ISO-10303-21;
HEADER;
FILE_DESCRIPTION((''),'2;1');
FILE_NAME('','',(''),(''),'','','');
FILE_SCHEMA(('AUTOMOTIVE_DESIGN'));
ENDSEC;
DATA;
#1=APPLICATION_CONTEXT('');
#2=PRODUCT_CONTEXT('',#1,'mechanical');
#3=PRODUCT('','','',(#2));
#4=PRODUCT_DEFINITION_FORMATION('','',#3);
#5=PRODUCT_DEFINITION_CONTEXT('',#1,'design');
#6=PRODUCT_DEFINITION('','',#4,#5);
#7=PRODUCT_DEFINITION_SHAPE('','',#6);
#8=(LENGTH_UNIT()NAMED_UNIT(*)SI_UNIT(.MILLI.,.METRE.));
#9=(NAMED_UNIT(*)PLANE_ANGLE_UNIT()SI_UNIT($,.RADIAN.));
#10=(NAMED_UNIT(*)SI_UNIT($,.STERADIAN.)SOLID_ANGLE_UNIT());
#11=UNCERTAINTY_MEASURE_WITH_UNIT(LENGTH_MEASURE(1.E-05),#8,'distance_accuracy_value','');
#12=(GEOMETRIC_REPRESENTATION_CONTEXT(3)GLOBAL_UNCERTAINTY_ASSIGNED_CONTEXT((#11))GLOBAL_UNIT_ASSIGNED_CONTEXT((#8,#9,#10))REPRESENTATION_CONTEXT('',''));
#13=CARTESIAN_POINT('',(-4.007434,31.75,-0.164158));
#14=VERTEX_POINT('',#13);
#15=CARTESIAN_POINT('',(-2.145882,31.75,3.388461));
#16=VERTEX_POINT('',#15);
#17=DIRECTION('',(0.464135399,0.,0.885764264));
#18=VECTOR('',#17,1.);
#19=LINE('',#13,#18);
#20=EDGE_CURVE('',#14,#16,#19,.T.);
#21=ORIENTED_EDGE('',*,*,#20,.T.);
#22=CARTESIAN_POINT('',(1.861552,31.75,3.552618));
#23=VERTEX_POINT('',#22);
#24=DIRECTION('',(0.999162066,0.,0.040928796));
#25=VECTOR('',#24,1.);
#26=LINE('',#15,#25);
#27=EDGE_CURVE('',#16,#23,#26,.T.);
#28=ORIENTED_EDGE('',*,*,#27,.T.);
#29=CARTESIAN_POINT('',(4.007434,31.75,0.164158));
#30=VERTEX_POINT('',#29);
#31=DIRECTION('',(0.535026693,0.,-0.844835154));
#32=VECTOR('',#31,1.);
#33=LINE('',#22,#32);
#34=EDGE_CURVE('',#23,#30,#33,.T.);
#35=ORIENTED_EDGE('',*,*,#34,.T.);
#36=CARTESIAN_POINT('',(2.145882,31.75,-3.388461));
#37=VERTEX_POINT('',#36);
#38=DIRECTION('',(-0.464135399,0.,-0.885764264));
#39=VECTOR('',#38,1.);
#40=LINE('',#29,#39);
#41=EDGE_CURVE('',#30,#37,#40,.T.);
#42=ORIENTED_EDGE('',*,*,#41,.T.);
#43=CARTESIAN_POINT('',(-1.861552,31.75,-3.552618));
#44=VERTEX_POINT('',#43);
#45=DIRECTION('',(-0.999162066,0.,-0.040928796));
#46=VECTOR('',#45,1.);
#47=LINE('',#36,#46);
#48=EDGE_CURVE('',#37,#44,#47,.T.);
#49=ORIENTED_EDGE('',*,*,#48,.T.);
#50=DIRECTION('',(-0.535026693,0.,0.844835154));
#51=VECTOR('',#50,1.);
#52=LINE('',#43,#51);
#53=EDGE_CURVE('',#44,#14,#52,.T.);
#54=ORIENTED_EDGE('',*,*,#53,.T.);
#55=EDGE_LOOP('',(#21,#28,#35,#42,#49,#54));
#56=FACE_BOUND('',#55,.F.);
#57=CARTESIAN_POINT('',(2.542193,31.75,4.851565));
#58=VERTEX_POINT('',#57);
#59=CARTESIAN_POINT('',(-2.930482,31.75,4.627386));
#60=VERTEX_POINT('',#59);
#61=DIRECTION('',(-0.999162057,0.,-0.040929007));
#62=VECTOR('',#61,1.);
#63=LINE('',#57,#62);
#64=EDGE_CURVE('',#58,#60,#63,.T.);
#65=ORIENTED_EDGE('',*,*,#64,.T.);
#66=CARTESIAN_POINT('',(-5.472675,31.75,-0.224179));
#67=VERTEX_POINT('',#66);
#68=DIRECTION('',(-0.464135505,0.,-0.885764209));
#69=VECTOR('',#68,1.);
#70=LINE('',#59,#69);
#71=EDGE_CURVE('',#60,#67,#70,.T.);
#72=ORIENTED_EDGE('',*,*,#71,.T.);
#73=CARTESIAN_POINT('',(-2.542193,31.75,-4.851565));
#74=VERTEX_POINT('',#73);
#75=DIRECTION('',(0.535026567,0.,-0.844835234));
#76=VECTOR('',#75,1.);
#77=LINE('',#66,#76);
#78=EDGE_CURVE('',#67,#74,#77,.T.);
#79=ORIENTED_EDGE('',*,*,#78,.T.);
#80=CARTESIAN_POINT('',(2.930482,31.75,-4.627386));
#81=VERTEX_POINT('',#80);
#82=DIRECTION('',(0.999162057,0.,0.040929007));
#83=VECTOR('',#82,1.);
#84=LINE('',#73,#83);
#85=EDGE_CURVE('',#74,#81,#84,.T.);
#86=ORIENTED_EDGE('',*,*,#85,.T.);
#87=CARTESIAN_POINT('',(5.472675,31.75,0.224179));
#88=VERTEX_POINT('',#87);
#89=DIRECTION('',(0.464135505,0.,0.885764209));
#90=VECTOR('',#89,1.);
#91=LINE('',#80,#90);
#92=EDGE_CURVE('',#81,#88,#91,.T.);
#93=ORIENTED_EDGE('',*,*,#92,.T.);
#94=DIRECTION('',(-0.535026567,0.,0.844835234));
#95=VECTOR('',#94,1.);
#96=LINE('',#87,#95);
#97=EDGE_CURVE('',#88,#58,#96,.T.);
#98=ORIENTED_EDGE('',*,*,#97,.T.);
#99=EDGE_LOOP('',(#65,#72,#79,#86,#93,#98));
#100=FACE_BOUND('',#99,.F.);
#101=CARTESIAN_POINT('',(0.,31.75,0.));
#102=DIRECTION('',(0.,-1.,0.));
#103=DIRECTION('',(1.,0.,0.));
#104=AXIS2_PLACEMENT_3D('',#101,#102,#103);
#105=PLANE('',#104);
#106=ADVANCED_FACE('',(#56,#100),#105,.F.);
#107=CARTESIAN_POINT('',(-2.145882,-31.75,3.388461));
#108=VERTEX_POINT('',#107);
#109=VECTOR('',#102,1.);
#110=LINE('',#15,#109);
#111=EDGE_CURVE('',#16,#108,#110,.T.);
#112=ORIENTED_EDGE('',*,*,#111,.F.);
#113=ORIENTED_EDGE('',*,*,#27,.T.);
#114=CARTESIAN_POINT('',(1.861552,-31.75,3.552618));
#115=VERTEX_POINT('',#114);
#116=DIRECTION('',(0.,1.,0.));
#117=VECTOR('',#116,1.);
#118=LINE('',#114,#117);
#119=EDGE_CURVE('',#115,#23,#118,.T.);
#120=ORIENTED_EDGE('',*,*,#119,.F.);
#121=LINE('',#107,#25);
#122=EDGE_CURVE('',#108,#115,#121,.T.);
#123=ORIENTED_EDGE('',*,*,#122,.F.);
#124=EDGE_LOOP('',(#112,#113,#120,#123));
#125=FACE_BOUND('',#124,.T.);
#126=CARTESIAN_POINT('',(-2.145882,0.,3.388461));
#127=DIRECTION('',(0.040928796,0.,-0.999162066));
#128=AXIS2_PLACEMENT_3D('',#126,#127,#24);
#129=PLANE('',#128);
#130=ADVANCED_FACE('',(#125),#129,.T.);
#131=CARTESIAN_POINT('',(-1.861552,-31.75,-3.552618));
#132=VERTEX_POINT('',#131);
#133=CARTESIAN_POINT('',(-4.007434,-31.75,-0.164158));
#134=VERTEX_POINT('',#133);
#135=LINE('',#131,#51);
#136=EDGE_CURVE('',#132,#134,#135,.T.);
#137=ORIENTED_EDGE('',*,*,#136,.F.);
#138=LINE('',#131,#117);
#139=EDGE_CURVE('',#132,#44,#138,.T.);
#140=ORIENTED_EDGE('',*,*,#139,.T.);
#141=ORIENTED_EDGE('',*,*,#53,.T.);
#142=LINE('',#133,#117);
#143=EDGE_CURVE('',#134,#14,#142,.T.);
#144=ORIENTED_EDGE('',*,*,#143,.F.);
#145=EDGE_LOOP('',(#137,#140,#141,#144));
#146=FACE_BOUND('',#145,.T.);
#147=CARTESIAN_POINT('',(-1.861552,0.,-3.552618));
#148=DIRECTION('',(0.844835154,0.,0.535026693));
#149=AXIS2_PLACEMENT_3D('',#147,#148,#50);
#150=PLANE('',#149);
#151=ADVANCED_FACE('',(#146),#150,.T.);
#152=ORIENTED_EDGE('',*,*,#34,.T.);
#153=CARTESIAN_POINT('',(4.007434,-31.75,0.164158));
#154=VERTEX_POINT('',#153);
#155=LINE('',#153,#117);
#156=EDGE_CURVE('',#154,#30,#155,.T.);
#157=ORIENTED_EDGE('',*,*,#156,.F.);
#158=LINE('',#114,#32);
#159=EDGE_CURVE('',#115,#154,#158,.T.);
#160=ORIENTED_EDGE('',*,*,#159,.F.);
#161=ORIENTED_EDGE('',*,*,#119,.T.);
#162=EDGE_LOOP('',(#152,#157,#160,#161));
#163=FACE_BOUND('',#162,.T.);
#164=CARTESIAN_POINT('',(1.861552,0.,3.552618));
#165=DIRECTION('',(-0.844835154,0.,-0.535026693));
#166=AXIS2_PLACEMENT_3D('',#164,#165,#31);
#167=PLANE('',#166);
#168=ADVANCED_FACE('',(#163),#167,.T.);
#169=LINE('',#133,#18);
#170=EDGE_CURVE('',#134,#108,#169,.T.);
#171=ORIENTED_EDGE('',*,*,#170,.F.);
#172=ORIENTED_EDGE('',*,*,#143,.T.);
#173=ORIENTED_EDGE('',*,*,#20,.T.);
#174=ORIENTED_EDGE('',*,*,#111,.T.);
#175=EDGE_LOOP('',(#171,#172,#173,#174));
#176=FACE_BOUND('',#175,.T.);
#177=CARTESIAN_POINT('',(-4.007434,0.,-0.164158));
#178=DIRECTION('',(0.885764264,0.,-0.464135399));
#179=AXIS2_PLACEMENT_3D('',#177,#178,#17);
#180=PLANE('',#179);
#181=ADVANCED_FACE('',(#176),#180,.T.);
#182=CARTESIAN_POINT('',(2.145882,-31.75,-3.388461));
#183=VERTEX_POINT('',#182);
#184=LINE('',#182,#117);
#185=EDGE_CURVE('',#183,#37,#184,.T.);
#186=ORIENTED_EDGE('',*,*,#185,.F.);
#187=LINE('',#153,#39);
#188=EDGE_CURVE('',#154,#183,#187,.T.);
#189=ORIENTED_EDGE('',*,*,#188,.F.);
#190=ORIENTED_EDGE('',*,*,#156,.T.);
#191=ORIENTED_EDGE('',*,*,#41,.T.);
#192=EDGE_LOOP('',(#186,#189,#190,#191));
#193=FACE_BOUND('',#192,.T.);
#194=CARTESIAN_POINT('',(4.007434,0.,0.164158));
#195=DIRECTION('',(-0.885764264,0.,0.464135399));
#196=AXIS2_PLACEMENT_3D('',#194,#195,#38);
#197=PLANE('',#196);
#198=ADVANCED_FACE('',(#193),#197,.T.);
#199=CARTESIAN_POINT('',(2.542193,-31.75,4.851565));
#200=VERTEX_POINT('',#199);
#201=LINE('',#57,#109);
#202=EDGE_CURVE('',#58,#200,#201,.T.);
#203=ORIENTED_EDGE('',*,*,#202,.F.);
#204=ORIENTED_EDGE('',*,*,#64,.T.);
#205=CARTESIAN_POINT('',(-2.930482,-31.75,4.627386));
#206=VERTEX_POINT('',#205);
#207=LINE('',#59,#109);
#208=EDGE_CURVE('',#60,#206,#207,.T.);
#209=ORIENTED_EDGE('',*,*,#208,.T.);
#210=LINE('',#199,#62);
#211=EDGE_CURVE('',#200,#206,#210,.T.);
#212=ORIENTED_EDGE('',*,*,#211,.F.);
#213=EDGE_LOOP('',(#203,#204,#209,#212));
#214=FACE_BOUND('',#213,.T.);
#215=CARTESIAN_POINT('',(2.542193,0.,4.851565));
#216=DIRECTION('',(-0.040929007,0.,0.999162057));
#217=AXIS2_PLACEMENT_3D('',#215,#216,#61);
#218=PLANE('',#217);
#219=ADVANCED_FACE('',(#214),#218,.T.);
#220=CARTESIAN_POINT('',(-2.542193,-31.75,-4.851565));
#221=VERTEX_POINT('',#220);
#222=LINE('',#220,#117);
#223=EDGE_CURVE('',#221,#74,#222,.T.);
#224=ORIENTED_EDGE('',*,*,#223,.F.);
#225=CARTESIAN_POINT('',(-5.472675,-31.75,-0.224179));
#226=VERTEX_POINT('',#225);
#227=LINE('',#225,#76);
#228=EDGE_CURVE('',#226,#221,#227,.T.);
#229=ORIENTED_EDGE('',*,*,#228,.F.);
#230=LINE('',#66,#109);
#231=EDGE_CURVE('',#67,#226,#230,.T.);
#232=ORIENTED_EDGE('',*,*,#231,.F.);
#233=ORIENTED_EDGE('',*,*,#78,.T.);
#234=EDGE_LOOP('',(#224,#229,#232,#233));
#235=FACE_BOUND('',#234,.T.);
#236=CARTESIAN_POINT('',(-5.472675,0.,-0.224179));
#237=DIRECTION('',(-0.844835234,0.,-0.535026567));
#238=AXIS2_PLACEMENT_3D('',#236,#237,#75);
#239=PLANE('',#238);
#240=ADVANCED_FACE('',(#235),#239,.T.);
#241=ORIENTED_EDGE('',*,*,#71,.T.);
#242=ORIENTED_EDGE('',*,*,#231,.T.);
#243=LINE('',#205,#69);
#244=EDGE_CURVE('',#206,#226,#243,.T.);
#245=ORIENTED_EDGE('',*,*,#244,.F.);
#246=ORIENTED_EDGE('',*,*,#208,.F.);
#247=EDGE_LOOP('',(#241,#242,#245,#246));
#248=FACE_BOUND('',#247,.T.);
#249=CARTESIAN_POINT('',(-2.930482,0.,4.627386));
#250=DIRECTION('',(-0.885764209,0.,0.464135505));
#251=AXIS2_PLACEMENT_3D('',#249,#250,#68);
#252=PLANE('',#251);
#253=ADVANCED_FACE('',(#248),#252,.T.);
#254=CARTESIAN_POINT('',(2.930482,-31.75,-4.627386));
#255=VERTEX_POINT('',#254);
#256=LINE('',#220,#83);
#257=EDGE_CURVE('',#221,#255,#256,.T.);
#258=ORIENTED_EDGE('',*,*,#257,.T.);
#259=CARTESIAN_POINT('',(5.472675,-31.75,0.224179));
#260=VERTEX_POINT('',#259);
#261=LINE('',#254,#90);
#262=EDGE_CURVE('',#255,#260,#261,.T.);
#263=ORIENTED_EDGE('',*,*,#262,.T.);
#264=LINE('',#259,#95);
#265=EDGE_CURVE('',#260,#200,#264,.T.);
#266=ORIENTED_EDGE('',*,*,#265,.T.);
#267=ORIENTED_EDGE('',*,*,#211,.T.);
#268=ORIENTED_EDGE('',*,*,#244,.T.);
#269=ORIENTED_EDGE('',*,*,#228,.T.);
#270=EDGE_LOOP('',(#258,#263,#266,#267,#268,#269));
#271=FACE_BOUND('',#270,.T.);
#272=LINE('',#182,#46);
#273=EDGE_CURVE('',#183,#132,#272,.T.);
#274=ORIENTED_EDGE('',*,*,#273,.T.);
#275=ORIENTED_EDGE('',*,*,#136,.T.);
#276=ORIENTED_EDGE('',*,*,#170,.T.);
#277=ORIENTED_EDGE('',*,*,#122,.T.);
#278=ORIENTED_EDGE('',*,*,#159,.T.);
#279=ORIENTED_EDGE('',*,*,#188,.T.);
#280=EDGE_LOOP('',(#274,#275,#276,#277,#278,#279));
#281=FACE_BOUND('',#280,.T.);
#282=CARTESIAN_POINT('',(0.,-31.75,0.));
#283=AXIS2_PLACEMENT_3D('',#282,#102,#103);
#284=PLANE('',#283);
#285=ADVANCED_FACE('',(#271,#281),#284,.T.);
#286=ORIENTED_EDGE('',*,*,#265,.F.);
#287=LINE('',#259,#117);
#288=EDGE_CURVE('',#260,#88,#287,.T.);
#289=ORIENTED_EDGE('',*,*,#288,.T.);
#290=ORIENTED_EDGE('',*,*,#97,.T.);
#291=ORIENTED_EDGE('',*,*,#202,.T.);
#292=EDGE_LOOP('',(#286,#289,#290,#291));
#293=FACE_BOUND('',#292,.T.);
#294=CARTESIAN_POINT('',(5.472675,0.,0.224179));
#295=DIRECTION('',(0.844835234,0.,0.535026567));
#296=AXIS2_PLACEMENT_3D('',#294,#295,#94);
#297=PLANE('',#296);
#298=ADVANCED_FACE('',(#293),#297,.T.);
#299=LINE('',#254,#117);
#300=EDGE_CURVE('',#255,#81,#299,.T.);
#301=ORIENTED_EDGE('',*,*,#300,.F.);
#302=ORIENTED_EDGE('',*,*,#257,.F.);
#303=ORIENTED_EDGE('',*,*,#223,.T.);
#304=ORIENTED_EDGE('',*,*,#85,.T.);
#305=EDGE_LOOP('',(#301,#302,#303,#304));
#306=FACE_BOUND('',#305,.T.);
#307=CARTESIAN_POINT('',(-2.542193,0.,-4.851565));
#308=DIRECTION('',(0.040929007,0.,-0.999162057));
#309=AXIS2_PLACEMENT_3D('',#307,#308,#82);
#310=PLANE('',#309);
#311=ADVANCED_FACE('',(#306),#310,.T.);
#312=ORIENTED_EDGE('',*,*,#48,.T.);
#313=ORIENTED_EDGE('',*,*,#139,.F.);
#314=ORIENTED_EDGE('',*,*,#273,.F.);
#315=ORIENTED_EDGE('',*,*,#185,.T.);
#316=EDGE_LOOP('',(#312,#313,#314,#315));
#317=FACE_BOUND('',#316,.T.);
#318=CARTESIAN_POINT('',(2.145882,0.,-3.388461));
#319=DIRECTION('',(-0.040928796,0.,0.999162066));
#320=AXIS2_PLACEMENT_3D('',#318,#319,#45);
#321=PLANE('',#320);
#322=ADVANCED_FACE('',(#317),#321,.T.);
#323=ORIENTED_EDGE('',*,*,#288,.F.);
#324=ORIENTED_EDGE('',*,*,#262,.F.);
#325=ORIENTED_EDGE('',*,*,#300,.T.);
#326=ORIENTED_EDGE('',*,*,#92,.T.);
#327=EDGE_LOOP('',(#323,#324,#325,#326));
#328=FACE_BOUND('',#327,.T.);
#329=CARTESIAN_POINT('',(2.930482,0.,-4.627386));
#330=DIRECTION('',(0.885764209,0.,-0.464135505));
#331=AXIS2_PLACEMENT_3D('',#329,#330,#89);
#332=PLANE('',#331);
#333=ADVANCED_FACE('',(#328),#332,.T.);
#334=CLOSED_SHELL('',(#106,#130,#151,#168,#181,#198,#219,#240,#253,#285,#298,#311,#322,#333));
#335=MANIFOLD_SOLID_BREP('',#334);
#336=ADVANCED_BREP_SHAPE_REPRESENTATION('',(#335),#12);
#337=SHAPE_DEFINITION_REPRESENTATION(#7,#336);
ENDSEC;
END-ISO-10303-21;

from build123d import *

# Parameters (mm, degrees)
F1_DEPTH = 31.75


with BuildPart() as f1:
    # F0 (on Front) → F1 (new body, symmetric)
    with BuildSketch(Plane.XZ):
        Polygon((5.472675, 0.224179), (2.542193, 4.851565), (-2.930482, 4.627386), (-5.472675, -0.224179), (-2.542193, -4.851565), (2.930482, -4.627386), align=None)
        Polygon((-2.145882, 3.388461), (1.861552, 3.552618), (4.007434, 0.164158), (2.145882, -3.388461), (-1.861552, -3.552618), (-4.007434, -0.164158), align=None, mode=Mode.SUBTRACT)
    extrude(amount=F1_DEPTH, both=True)


solid = f1.part
